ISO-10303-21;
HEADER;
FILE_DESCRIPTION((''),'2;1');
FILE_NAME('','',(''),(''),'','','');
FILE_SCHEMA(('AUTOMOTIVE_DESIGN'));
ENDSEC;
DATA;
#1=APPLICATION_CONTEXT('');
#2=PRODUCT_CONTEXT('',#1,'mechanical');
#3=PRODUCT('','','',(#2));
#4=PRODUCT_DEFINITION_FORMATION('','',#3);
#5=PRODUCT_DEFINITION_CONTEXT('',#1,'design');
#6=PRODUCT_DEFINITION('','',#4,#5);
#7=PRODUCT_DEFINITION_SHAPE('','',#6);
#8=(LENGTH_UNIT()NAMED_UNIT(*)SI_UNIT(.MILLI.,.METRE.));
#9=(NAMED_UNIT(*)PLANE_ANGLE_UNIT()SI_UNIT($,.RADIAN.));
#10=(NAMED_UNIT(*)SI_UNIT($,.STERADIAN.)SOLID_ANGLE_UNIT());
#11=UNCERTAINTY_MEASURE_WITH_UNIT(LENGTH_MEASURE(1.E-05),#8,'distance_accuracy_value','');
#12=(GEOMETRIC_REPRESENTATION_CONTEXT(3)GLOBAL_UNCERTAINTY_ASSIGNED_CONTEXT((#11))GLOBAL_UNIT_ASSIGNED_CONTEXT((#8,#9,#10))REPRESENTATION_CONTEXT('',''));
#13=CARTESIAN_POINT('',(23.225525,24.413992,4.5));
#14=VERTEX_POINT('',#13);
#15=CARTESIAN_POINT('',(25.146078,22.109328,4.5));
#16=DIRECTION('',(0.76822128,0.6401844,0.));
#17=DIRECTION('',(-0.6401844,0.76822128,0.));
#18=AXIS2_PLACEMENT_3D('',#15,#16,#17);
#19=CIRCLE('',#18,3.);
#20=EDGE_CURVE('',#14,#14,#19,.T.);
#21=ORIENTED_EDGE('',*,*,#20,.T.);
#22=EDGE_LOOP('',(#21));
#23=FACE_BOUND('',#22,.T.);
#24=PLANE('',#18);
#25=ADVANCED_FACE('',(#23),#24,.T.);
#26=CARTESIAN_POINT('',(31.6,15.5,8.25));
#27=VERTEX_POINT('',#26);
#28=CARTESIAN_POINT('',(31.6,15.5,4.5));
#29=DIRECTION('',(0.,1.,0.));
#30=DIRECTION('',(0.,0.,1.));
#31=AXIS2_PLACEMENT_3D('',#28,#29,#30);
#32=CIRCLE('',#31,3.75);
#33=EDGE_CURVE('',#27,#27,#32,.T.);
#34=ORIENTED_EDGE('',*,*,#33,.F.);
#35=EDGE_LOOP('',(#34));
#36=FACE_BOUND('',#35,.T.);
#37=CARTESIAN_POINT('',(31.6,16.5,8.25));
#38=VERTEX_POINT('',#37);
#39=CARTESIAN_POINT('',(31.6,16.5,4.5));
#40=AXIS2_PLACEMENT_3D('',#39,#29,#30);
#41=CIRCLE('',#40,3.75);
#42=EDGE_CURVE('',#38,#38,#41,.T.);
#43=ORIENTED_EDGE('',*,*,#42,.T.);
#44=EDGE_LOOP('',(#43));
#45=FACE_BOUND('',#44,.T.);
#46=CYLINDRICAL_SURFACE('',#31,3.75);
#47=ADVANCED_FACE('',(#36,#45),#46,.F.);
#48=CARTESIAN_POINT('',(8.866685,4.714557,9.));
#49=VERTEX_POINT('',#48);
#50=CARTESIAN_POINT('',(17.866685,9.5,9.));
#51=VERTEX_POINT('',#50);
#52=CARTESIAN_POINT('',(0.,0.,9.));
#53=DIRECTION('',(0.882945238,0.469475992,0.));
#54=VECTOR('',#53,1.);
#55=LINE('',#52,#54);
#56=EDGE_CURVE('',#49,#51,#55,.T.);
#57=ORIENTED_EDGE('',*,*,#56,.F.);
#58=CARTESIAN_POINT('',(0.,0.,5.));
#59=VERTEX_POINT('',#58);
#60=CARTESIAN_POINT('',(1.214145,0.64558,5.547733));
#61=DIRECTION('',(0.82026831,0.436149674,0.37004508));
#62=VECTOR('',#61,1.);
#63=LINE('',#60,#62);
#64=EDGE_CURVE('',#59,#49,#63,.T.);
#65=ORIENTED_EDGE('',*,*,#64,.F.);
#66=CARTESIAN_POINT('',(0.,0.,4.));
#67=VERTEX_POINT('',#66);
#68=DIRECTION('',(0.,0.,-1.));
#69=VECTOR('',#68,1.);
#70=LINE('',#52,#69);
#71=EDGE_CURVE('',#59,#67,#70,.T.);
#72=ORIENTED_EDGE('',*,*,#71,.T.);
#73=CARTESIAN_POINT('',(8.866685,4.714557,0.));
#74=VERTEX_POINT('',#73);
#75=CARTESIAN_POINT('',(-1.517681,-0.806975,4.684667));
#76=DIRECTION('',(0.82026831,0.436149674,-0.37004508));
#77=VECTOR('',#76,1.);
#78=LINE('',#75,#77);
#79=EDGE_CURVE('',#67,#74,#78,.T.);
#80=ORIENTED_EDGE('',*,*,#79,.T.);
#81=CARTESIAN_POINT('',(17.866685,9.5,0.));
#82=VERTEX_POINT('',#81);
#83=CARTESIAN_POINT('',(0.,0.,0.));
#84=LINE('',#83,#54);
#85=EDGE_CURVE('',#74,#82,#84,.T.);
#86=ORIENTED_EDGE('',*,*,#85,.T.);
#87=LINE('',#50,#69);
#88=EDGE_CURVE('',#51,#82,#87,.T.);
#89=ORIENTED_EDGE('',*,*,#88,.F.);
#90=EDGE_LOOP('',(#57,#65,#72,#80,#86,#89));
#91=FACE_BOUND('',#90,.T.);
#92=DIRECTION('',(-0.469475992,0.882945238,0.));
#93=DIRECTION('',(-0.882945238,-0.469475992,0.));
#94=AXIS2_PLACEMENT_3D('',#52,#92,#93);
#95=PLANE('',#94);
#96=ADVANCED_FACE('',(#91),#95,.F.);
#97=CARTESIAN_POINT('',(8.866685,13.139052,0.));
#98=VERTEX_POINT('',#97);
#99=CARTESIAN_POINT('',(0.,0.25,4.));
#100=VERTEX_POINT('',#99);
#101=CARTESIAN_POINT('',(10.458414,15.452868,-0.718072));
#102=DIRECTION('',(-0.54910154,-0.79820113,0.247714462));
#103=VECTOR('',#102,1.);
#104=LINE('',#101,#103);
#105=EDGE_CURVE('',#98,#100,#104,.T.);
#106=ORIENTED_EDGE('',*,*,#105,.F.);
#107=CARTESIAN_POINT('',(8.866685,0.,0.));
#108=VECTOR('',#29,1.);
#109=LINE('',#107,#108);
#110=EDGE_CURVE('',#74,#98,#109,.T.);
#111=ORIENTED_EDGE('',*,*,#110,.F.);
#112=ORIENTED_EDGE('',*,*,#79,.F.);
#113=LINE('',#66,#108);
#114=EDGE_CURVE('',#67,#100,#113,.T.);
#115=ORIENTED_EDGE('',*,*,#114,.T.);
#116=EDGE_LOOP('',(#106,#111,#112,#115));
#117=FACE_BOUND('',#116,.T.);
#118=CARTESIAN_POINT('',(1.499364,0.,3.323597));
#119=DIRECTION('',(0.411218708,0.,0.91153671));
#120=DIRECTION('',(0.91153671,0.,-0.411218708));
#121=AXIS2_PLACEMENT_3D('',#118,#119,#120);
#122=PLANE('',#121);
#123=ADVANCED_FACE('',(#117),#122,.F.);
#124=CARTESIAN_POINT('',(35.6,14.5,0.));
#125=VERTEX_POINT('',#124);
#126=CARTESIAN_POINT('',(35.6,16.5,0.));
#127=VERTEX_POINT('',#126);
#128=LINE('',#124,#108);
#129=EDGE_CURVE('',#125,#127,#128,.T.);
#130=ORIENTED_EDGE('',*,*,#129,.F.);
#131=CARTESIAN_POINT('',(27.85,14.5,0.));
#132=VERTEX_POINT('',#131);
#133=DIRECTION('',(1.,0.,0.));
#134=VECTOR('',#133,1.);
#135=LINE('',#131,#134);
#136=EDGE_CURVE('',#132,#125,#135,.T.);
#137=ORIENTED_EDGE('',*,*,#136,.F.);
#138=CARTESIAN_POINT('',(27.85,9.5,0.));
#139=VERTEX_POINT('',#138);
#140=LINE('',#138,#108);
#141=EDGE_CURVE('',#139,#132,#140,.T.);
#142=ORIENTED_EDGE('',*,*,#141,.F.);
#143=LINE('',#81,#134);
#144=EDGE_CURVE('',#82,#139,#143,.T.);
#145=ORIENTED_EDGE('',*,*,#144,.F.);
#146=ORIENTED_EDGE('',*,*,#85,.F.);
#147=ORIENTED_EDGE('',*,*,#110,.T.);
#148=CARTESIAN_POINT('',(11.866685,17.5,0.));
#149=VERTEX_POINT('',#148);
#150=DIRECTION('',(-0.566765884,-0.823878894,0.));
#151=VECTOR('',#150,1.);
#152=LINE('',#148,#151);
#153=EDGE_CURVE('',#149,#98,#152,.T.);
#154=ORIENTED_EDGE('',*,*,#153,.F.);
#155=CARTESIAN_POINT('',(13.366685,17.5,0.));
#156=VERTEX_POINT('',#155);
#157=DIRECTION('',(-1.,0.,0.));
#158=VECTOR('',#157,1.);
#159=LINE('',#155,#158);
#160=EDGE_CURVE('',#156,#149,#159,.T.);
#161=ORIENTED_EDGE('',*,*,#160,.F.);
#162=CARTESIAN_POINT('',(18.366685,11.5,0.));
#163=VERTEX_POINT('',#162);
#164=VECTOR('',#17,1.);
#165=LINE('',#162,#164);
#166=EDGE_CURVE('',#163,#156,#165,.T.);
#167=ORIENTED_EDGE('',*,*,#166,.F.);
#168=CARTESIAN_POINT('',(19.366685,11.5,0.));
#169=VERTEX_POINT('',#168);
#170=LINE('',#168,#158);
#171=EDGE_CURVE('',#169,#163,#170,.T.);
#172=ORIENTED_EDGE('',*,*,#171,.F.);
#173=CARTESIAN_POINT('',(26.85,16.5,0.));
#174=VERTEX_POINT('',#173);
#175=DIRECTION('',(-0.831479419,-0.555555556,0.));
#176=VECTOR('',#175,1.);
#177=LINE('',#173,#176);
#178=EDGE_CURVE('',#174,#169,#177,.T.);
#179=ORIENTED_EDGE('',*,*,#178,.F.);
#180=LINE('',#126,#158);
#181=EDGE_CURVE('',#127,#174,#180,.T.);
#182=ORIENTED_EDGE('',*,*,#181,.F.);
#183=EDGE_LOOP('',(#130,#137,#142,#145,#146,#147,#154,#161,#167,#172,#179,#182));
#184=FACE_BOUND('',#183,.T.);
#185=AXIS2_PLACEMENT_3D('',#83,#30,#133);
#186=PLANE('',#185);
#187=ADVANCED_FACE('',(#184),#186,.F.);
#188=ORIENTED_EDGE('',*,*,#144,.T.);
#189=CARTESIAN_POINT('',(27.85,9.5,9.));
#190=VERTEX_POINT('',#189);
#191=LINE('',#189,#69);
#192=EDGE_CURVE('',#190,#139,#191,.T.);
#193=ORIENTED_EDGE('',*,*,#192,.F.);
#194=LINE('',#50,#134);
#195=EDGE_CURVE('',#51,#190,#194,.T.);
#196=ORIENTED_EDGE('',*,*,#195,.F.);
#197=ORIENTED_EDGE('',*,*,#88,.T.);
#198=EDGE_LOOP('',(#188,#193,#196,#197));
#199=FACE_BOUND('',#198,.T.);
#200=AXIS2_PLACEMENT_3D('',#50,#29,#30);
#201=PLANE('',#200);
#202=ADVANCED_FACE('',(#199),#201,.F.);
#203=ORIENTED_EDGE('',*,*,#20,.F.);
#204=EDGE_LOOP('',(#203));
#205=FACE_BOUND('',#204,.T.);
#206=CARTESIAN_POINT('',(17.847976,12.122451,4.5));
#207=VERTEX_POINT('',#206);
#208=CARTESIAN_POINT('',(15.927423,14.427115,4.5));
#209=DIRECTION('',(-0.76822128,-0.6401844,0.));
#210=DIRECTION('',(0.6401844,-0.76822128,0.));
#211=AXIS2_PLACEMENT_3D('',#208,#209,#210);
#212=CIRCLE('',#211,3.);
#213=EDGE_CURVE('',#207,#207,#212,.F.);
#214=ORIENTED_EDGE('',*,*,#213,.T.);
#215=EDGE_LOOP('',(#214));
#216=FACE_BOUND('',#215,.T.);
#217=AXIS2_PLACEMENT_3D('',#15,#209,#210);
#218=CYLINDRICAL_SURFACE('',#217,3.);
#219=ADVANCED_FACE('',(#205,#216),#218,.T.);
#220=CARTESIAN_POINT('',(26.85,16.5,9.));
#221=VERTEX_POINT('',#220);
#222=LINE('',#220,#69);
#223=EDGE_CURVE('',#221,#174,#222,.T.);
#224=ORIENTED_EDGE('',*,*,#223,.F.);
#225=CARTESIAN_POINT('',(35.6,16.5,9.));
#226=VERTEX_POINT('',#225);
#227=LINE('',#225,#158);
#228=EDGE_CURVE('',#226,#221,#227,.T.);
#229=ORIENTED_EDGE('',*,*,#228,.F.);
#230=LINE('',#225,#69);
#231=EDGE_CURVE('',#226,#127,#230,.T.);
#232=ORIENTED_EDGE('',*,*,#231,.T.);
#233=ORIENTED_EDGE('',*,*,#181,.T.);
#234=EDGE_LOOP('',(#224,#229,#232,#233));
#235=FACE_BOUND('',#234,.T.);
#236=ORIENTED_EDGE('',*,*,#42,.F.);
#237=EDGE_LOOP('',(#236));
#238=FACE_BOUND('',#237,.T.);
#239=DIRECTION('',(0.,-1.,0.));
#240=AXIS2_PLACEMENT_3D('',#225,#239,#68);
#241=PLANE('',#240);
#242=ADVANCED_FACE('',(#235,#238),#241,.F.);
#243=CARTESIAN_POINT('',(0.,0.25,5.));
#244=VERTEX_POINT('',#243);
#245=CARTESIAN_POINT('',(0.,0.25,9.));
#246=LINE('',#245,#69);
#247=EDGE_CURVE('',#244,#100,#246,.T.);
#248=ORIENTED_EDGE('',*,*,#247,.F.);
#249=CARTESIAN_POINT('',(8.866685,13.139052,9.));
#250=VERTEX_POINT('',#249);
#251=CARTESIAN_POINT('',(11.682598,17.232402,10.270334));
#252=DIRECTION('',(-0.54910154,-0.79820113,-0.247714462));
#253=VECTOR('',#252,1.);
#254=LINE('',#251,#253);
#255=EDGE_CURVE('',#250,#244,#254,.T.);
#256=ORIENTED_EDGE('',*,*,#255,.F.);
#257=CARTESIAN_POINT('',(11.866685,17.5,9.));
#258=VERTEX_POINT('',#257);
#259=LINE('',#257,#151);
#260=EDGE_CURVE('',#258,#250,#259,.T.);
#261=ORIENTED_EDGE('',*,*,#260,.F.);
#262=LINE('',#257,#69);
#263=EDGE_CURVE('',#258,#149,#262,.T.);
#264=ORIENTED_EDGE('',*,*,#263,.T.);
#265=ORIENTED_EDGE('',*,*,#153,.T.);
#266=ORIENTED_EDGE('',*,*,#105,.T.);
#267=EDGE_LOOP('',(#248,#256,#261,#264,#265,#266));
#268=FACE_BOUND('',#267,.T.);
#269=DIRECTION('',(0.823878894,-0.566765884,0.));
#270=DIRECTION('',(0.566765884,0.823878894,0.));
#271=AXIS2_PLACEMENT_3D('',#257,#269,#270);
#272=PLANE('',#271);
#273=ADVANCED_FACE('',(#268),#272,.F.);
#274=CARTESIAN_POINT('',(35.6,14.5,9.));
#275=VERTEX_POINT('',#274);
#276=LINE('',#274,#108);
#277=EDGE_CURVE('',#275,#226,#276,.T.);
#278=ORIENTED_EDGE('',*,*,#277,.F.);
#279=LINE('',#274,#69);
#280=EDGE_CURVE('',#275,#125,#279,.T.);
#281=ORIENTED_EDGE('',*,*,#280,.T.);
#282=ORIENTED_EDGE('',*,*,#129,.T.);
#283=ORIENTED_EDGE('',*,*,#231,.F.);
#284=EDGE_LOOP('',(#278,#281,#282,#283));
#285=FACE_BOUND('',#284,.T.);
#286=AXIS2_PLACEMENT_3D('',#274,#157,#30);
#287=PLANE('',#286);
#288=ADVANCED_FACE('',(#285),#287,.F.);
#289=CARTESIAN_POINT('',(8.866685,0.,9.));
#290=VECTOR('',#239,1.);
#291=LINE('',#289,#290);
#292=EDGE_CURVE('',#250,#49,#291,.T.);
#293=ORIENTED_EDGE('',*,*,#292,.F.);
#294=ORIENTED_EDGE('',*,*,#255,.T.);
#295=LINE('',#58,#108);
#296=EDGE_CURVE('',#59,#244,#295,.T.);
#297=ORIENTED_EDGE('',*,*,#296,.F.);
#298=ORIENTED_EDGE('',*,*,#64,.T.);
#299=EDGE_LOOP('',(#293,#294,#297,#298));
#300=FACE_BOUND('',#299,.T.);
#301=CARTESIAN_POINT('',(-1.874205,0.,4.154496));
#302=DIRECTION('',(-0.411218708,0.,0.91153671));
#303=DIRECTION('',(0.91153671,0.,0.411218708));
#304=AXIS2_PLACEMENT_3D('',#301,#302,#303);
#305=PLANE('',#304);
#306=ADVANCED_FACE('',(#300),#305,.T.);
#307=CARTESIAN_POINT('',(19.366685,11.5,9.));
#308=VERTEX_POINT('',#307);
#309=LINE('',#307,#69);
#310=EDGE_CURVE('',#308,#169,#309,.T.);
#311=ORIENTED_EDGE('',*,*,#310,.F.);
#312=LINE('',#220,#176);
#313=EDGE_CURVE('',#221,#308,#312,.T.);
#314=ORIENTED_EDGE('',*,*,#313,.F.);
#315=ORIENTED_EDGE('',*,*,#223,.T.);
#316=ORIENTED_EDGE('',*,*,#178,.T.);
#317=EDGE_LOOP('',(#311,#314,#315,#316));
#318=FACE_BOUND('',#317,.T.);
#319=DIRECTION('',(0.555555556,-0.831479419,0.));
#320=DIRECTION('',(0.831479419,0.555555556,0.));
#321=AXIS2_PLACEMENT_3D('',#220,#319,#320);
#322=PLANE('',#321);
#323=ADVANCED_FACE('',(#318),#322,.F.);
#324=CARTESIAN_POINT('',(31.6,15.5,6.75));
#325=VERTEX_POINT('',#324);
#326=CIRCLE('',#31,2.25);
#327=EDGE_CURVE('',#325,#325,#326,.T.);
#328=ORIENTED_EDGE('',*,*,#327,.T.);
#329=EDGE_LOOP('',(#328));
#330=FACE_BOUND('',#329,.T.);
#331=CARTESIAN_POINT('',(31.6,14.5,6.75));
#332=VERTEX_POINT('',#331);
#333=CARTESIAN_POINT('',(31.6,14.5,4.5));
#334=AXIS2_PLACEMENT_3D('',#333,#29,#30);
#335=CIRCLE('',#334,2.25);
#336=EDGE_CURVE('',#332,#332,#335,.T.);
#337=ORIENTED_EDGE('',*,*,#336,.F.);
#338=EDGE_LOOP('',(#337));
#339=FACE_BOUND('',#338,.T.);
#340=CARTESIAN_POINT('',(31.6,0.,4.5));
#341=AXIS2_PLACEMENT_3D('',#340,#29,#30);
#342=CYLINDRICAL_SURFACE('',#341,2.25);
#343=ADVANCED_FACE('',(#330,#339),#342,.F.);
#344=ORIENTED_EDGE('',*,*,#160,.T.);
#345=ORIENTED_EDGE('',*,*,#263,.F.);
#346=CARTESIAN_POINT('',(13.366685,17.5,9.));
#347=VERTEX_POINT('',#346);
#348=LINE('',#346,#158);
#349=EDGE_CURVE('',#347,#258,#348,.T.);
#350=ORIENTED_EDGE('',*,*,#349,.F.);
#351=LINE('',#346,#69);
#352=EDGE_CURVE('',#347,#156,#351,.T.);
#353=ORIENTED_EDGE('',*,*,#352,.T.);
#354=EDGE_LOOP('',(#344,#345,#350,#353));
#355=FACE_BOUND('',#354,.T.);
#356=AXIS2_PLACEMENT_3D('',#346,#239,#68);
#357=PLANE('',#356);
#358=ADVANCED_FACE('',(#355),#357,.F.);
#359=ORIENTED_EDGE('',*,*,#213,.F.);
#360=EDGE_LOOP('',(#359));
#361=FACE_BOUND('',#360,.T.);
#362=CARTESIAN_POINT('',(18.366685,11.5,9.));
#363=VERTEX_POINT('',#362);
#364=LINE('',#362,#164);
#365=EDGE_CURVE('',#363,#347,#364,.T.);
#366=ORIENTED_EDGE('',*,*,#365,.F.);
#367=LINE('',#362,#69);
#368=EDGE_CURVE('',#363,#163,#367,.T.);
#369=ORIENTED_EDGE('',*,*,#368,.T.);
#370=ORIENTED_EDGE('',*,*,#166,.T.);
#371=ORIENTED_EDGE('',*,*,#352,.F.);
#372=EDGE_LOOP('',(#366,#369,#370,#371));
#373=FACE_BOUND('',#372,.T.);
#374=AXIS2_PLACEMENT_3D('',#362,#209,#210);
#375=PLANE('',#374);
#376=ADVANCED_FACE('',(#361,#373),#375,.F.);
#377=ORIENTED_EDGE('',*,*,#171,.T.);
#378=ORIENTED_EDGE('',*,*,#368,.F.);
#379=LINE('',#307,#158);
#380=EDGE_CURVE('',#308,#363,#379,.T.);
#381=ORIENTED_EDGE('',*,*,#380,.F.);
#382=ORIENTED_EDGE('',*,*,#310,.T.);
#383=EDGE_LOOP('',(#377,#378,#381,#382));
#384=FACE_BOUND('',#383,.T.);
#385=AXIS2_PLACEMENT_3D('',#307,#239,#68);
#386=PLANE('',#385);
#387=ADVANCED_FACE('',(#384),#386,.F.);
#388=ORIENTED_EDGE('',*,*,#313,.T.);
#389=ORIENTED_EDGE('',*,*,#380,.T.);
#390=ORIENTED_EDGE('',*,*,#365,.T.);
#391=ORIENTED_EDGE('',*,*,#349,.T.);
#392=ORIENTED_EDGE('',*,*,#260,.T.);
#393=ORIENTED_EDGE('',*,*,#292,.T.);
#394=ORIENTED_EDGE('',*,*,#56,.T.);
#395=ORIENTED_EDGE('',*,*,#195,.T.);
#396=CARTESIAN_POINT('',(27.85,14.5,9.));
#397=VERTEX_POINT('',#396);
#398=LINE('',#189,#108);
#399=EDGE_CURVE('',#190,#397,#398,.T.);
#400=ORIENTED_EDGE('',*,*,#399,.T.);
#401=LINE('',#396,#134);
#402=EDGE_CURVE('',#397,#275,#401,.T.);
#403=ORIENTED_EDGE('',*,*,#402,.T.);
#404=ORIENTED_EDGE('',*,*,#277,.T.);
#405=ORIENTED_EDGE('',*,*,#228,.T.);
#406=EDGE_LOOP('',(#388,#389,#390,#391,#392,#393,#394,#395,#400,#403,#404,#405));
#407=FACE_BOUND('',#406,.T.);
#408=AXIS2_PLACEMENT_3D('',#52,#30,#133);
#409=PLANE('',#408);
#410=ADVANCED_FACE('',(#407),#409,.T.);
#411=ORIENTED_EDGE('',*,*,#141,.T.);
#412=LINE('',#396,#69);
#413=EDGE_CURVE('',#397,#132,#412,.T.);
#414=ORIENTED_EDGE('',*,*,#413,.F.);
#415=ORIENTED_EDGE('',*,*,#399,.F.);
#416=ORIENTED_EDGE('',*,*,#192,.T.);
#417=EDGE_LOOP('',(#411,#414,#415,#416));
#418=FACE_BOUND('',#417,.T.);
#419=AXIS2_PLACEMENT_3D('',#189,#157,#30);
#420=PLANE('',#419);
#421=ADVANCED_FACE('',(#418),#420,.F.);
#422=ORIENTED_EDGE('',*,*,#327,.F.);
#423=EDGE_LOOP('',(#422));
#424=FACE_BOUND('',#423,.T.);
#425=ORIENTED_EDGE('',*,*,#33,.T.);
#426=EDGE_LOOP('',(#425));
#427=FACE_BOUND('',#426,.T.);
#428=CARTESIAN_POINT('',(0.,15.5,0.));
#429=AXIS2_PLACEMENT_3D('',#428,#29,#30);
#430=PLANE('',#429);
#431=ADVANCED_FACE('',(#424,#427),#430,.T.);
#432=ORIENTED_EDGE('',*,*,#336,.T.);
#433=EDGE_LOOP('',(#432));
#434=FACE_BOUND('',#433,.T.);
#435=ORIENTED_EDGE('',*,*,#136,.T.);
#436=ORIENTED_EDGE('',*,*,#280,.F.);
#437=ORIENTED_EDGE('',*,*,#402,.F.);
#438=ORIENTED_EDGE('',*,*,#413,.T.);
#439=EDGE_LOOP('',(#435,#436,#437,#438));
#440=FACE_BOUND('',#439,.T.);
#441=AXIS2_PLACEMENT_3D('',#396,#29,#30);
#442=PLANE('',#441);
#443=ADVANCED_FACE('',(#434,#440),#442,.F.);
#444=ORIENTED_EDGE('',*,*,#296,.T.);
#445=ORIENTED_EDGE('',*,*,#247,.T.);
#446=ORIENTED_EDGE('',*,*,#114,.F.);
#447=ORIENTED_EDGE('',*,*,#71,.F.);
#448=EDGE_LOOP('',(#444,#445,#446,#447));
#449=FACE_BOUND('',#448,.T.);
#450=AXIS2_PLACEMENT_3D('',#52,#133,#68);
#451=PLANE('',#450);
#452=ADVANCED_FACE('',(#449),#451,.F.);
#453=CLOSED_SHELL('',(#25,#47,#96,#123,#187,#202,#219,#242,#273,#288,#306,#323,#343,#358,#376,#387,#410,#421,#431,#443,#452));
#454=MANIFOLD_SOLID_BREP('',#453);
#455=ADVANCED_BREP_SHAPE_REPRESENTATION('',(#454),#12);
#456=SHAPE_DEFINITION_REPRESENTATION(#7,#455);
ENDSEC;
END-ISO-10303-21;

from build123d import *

# Parameters (mm, degrees)
BOSS_EXTRUDE1_DEPTH = 9
SKETCH2_R           = 2.25
CUT_EXTRUDE1_DEPTH  = 16.5
SKETCH2_3_R         = 3.75
SKETCH2_3_R_2       = 2.25
CUT_EXTRUDE2_DEPTH  = 1
SKETCH3_R           = 3
BOSS_EXTRUDE2_DEPTH = 12


with BuildPart() as part:
    # Sketch1 → Boss-Extrude1 (new body)
    with BuildSketch(Plane.XY):
        Polygon((0, 0), (17.866685226, 9.5), (27.85, 9.5), (27.85, 14.5), (35.6, 14.5), (35.6, 16.5), (26.85, 16.5), (19.366685226, 11.5), (18.366685226, 11.5), (13.366685226, 17.5), (11.866685226, 17.5), (0, 0.25), align=None)
    extrude(amount=BOSS_EXTRUDE1_DEPTH)

    # Sketch2 → Cut-Extrude1 (cut)
    with BuildSketch(Plane(origin=(0, 16.5, 0), x_dir=(1, 0, 0), z_dir=(0, 1, 0))):
        with Locations(Location((31.6, -4.5, 0), (0, 0, 270))):
            Circle(SKETCH2_R)
        Polygon((0, 0), (0, -4), (8.866685226, 0), align=None)
        Polygon((0, -5), (8.866685226, -9), (0, -9), align=None)
    extrude(amount=-CUT_EXTRUDE1_DEPTH, mode=Mode.SUBTRACT)

    # Sketch2<3> → Cut-Extrude2 (cut)
    with BuildSketch(Plane(origin=(0, 16.5, 0), x_dir=(1, 0, 0), z_dir=(0, 1, 0))):
        with Locations(Location((31.6, -4.5, 0), (0, 0, 270))):
            Circle(SKETCH2_3_R)
        with Locations(Location((31.6, -4.5, 0), (0, 0, 270))):
            Circle(SKETCH2_3_R_2, mode=Mode.SUBTRACT)
    extrude(amount=-CUT_EXTRUDE2_DEPTH, mode=Mode.SUBTRACT)

    # Sketch3 → Boss-Extrude2 (add)
    with BuildSketch(Plane(origin=(16.495092921, 13.745910767, 0), x_dir=(0, 0, -1), z_dir=(0.768221279597376, 0.6401843996644799, 0))):
        with Locations(Location((-4.5, 0.886729036, 0), (0, 0, 270))):
            Circle(SKETCH3_R)
    extrude(amount=BOSS_EXTRUDE2_DEPTH)


solid = part.part
